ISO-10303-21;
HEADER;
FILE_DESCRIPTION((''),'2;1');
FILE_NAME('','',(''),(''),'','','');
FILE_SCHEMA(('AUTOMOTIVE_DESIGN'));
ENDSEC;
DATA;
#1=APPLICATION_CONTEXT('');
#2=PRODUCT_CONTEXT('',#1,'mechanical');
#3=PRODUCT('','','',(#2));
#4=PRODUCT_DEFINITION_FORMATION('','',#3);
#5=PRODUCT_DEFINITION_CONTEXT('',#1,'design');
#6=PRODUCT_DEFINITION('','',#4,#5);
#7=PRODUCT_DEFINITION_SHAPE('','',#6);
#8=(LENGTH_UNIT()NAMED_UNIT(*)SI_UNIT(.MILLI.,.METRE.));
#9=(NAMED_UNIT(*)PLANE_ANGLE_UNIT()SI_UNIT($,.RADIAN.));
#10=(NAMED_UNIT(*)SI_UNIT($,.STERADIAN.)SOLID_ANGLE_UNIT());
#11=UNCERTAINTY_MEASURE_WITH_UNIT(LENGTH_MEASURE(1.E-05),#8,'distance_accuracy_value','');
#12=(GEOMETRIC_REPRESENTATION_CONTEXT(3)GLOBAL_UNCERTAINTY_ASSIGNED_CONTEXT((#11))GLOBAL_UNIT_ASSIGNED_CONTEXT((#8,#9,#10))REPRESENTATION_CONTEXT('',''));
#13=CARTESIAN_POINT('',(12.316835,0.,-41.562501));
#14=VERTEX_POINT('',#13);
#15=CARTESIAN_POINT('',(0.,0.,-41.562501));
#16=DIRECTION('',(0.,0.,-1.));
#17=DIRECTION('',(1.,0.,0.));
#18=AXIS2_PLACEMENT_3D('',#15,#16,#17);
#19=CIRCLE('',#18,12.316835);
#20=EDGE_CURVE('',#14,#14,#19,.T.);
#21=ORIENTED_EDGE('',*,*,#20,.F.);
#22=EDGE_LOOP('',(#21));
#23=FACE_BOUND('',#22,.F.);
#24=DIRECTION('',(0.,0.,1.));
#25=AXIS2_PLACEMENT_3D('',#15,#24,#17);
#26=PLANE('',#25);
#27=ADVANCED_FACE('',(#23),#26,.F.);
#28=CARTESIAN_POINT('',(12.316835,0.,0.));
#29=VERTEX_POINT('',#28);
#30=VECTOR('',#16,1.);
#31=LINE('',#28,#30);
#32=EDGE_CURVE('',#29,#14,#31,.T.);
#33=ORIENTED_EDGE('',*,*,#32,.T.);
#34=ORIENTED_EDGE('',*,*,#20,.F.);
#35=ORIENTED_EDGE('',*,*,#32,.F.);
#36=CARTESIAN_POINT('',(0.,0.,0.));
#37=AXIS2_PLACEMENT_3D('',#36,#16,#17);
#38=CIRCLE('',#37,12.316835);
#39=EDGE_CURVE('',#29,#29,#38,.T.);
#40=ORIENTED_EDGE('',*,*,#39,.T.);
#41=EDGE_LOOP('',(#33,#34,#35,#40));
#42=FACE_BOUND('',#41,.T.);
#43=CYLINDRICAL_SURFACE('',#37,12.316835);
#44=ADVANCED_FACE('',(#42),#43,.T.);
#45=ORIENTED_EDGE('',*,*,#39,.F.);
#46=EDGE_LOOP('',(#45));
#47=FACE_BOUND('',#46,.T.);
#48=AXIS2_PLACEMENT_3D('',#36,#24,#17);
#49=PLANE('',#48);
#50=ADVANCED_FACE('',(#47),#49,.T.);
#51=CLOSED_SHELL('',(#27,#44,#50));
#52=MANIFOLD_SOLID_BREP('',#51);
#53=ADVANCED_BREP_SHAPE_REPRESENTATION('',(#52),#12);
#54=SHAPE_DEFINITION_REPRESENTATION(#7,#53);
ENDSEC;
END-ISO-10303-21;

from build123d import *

# Parameters (mm, degrees)
F1_R = 12.316835


with BuildPart() as f2:
    # F2: sweep along a path in F0
    with BuildLine(Plane.YZ) as f2_path:
        Line((0, 0), (0, -41.562501))
    # F1 (on Top) → F2 (sweep)
    with BuildSketch(Plane.XY):
        Circle(F1_R)
    sweep(path=f2_path.line)


solid = f2.part
